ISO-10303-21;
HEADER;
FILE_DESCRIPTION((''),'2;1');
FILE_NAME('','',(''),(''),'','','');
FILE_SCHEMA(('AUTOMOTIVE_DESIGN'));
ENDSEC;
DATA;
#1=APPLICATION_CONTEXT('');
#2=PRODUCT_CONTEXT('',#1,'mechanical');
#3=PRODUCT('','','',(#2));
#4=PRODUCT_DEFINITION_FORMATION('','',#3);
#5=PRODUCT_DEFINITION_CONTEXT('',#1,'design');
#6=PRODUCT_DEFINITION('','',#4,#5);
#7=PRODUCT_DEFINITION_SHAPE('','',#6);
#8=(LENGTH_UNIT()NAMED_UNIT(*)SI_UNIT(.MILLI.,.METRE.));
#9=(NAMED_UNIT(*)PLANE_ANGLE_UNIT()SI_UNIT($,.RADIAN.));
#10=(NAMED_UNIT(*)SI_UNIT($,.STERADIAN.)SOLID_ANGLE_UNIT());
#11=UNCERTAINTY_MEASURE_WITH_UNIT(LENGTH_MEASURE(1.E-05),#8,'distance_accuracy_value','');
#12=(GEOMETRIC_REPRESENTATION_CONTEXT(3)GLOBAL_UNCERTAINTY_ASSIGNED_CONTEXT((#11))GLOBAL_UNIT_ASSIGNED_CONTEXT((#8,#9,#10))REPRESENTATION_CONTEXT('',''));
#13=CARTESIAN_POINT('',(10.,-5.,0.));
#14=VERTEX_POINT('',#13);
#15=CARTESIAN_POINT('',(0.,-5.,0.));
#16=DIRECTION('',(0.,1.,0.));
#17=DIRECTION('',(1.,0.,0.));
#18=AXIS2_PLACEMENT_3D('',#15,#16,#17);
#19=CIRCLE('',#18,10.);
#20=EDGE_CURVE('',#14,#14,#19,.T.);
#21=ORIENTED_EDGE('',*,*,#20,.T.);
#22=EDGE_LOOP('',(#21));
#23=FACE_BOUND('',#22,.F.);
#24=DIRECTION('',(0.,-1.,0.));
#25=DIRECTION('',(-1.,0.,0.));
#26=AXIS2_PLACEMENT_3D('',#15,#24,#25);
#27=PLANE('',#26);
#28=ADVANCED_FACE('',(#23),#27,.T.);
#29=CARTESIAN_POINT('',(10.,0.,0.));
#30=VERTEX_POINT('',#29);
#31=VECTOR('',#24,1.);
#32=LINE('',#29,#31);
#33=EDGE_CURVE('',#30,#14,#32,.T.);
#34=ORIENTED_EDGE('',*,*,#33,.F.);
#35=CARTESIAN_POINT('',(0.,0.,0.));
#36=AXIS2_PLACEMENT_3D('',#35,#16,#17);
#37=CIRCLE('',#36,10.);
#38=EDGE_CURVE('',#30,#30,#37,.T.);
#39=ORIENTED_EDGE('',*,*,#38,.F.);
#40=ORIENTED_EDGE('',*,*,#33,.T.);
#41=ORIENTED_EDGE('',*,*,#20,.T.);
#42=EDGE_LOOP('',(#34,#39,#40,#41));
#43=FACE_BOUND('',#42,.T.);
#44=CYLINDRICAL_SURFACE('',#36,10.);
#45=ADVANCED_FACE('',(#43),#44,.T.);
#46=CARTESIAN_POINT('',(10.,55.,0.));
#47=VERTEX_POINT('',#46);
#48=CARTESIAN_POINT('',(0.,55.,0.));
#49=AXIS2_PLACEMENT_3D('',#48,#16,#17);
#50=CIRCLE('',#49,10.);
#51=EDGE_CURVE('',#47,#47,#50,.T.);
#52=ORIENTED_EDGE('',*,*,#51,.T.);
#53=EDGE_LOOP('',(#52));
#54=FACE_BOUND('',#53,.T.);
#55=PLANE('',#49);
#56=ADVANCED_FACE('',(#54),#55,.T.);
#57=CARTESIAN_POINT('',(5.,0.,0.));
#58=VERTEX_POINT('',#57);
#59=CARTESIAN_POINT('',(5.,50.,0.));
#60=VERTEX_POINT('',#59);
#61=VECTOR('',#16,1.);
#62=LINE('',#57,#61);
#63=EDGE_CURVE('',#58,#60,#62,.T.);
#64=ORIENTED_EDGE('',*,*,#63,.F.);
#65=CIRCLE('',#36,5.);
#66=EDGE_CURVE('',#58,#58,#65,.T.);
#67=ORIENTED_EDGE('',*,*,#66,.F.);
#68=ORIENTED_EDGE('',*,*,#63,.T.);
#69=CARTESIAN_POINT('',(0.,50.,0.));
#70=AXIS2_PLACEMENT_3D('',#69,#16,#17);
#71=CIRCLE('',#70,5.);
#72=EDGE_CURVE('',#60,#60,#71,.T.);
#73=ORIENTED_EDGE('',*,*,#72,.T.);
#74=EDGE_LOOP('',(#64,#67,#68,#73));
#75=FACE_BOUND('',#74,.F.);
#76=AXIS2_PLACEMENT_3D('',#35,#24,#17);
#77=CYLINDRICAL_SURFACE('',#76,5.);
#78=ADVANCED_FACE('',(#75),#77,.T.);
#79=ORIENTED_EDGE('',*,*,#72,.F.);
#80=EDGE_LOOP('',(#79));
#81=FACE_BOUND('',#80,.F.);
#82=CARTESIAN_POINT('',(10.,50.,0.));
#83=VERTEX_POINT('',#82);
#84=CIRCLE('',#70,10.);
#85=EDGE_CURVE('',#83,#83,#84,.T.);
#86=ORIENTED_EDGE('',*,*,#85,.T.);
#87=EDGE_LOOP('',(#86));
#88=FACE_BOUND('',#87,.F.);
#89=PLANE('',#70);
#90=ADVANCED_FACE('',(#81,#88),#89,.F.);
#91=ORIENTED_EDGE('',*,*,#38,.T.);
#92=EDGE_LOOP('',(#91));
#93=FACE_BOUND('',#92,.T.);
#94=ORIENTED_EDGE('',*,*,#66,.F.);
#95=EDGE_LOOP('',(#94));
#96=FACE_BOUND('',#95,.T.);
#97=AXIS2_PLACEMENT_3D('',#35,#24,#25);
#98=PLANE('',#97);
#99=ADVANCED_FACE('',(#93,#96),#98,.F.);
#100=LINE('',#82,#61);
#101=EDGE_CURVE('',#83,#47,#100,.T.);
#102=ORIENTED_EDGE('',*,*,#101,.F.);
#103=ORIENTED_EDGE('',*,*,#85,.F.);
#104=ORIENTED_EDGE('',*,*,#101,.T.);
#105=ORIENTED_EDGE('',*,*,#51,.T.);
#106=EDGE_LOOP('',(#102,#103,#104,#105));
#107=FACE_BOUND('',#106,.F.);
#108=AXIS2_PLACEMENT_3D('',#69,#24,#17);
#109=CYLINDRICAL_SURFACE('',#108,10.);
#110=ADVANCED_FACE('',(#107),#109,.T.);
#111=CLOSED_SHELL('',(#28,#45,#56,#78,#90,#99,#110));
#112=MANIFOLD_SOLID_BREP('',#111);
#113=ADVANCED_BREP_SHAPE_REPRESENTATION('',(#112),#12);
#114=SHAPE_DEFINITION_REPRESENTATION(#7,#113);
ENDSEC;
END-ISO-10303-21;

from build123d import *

# Parameters (mm, degrees)
SKETCH1_R           = 5
BOSS_EXTRUDE1_DEPTH = 50
SKETCH2_R           = 10
BOSS_EXTRUDE2_DEPTH = 5


with BuildPart() as part:
    # Sketch1 → Boss-Extrude1 (new body)
    with BuildSketch(Plane(origin=(0, 0, 0), x_dir=(1, 0, 0), z_dir=(0, 1, 0))):
        Circle(SKETCH1_R)
    extrude(amount=BOSS_EXTRUDE1_DEPTH)

    # Sketch2 → Boss-Extrude2 (add)
    with BuildSketch(Plane(origin=(0, 50, 0), x_dir=(1, 0, 0), z_dir=(0, 1, 0))):
        Circle(SKETCH2_R)
    boss_extrude2 = extrude(amount=BOSS_EXTRUDE2_DEPTH)

    # Mirror1: Boss-Extrude2 across plane
    add(boss_extrude2.mirror(Plane(origin=(0, 25, 0), x_dir=(0, 0, 1), z_dir=(0, -1, 0))))


solid = part.part
